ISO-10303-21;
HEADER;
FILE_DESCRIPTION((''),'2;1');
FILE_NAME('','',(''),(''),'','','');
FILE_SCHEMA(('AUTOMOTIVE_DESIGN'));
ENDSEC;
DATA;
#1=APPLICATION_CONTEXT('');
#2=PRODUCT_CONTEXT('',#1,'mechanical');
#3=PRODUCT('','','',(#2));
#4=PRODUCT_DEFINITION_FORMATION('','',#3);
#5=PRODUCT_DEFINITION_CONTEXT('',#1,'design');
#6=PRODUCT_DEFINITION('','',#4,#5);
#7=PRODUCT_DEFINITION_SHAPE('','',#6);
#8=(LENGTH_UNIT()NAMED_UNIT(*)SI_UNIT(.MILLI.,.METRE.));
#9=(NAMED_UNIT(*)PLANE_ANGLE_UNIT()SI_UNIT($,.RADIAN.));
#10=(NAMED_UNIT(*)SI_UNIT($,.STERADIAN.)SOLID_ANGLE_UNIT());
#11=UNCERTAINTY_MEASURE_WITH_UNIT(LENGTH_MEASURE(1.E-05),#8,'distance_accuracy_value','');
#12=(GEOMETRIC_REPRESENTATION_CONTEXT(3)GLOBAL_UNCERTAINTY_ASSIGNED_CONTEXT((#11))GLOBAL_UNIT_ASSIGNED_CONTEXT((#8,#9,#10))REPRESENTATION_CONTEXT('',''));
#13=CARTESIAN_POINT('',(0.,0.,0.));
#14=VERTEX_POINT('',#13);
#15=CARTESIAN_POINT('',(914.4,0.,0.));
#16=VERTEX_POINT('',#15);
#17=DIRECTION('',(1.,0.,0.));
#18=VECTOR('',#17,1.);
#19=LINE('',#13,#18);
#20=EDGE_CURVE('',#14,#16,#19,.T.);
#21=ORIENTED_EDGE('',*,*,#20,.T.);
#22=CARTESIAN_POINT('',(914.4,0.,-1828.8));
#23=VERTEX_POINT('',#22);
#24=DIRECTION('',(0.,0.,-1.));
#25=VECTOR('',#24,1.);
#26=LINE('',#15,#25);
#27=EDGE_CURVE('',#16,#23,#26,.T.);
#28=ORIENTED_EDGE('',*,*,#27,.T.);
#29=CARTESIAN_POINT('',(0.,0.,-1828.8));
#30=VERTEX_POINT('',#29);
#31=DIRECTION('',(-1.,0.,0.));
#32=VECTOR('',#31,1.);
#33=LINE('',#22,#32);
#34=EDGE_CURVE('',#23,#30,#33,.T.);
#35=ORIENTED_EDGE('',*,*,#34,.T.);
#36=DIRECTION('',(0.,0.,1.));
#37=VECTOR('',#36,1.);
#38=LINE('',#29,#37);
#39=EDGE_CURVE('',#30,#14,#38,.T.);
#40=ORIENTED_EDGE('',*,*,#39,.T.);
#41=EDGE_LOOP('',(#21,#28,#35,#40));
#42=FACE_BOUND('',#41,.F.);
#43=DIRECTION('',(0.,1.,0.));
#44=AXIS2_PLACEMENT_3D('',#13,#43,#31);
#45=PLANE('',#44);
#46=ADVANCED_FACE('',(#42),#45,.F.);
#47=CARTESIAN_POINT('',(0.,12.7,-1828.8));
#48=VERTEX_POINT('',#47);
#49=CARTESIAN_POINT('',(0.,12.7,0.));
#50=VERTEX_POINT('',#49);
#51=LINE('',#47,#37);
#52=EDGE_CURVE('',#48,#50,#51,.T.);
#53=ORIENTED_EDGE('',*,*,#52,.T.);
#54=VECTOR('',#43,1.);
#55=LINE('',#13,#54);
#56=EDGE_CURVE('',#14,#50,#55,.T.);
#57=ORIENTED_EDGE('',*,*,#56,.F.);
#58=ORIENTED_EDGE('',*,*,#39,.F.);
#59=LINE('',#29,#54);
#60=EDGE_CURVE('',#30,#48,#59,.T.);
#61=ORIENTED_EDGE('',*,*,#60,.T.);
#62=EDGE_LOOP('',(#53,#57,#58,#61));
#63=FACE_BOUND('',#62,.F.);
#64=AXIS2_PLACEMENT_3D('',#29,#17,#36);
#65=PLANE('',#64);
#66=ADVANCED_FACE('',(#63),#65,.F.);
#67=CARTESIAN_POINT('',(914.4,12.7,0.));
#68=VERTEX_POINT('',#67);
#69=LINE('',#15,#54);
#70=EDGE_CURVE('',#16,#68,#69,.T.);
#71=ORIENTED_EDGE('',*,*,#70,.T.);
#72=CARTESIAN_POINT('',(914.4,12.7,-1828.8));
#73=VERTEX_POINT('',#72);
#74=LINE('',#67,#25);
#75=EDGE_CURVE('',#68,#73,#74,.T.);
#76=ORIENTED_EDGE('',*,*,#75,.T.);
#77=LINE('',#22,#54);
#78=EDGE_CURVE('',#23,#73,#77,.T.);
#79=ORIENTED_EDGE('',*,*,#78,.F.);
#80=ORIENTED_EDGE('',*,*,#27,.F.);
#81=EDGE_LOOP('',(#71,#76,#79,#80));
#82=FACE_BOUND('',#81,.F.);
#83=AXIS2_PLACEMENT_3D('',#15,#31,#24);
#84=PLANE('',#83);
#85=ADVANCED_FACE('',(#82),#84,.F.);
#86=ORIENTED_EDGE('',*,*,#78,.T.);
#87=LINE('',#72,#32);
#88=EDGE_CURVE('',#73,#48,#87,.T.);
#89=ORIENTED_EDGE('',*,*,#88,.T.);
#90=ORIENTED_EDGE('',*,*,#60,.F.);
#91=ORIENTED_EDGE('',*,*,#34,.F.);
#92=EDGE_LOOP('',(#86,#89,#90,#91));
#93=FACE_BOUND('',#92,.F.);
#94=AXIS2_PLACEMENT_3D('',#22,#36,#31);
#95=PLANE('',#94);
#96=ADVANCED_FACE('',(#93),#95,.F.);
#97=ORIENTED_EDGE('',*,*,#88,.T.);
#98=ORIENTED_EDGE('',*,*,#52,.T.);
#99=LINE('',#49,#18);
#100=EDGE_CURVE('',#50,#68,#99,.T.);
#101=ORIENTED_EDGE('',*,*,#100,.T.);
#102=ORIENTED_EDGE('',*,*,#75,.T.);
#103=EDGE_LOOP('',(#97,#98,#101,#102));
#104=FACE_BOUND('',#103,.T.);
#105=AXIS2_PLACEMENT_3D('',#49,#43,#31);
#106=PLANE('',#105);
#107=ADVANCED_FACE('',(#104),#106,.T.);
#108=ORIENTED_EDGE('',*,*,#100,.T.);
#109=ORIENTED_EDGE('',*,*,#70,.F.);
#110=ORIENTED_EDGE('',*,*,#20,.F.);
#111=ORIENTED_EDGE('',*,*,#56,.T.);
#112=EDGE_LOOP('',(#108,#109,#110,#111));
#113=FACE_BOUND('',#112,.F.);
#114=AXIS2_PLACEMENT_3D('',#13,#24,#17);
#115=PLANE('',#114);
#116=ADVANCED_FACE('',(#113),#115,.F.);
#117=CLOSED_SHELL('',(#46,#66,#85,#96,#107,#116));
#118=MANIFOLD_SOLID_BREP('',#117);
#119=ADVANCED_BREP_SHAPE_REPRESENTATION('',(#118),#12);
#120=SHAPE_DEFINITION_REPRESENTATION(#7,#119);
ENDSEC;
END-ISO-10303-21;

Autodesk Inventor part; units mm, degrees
ref_plane "YZ Plane" through (0, 0, 0) normal (1, 0, 0) x (0, 1, 0)
ref_plane "XZ Plane" through (0, 0, 0) normal (0, 1, 0) x (-1, 0, 0)
ref_plane "XY Plane" through (0, 0, 0) normal (0, 0, 1) x (1, 0, 0)
sketch "Sketch1" plane through (0, 0, 0) normal (0, 1, 0) x (-1, 0, 0)
  line L0 (0, 0) -> (-914.4, 0)
  line L1 (-914.4, 0) -> (-914.4, -1828.8)
  line L2 (-914.4, -1828.8) -> (0, -1828.8)
  line L3 (0, -1828.8) -> (0, 0)
  dimension "d0" = 914.4
  dimension "d1" = 1828.8
extrude "Extrusion1" add sketch "Sketch1" along normal blind 12.7
properties part number "floor back"
